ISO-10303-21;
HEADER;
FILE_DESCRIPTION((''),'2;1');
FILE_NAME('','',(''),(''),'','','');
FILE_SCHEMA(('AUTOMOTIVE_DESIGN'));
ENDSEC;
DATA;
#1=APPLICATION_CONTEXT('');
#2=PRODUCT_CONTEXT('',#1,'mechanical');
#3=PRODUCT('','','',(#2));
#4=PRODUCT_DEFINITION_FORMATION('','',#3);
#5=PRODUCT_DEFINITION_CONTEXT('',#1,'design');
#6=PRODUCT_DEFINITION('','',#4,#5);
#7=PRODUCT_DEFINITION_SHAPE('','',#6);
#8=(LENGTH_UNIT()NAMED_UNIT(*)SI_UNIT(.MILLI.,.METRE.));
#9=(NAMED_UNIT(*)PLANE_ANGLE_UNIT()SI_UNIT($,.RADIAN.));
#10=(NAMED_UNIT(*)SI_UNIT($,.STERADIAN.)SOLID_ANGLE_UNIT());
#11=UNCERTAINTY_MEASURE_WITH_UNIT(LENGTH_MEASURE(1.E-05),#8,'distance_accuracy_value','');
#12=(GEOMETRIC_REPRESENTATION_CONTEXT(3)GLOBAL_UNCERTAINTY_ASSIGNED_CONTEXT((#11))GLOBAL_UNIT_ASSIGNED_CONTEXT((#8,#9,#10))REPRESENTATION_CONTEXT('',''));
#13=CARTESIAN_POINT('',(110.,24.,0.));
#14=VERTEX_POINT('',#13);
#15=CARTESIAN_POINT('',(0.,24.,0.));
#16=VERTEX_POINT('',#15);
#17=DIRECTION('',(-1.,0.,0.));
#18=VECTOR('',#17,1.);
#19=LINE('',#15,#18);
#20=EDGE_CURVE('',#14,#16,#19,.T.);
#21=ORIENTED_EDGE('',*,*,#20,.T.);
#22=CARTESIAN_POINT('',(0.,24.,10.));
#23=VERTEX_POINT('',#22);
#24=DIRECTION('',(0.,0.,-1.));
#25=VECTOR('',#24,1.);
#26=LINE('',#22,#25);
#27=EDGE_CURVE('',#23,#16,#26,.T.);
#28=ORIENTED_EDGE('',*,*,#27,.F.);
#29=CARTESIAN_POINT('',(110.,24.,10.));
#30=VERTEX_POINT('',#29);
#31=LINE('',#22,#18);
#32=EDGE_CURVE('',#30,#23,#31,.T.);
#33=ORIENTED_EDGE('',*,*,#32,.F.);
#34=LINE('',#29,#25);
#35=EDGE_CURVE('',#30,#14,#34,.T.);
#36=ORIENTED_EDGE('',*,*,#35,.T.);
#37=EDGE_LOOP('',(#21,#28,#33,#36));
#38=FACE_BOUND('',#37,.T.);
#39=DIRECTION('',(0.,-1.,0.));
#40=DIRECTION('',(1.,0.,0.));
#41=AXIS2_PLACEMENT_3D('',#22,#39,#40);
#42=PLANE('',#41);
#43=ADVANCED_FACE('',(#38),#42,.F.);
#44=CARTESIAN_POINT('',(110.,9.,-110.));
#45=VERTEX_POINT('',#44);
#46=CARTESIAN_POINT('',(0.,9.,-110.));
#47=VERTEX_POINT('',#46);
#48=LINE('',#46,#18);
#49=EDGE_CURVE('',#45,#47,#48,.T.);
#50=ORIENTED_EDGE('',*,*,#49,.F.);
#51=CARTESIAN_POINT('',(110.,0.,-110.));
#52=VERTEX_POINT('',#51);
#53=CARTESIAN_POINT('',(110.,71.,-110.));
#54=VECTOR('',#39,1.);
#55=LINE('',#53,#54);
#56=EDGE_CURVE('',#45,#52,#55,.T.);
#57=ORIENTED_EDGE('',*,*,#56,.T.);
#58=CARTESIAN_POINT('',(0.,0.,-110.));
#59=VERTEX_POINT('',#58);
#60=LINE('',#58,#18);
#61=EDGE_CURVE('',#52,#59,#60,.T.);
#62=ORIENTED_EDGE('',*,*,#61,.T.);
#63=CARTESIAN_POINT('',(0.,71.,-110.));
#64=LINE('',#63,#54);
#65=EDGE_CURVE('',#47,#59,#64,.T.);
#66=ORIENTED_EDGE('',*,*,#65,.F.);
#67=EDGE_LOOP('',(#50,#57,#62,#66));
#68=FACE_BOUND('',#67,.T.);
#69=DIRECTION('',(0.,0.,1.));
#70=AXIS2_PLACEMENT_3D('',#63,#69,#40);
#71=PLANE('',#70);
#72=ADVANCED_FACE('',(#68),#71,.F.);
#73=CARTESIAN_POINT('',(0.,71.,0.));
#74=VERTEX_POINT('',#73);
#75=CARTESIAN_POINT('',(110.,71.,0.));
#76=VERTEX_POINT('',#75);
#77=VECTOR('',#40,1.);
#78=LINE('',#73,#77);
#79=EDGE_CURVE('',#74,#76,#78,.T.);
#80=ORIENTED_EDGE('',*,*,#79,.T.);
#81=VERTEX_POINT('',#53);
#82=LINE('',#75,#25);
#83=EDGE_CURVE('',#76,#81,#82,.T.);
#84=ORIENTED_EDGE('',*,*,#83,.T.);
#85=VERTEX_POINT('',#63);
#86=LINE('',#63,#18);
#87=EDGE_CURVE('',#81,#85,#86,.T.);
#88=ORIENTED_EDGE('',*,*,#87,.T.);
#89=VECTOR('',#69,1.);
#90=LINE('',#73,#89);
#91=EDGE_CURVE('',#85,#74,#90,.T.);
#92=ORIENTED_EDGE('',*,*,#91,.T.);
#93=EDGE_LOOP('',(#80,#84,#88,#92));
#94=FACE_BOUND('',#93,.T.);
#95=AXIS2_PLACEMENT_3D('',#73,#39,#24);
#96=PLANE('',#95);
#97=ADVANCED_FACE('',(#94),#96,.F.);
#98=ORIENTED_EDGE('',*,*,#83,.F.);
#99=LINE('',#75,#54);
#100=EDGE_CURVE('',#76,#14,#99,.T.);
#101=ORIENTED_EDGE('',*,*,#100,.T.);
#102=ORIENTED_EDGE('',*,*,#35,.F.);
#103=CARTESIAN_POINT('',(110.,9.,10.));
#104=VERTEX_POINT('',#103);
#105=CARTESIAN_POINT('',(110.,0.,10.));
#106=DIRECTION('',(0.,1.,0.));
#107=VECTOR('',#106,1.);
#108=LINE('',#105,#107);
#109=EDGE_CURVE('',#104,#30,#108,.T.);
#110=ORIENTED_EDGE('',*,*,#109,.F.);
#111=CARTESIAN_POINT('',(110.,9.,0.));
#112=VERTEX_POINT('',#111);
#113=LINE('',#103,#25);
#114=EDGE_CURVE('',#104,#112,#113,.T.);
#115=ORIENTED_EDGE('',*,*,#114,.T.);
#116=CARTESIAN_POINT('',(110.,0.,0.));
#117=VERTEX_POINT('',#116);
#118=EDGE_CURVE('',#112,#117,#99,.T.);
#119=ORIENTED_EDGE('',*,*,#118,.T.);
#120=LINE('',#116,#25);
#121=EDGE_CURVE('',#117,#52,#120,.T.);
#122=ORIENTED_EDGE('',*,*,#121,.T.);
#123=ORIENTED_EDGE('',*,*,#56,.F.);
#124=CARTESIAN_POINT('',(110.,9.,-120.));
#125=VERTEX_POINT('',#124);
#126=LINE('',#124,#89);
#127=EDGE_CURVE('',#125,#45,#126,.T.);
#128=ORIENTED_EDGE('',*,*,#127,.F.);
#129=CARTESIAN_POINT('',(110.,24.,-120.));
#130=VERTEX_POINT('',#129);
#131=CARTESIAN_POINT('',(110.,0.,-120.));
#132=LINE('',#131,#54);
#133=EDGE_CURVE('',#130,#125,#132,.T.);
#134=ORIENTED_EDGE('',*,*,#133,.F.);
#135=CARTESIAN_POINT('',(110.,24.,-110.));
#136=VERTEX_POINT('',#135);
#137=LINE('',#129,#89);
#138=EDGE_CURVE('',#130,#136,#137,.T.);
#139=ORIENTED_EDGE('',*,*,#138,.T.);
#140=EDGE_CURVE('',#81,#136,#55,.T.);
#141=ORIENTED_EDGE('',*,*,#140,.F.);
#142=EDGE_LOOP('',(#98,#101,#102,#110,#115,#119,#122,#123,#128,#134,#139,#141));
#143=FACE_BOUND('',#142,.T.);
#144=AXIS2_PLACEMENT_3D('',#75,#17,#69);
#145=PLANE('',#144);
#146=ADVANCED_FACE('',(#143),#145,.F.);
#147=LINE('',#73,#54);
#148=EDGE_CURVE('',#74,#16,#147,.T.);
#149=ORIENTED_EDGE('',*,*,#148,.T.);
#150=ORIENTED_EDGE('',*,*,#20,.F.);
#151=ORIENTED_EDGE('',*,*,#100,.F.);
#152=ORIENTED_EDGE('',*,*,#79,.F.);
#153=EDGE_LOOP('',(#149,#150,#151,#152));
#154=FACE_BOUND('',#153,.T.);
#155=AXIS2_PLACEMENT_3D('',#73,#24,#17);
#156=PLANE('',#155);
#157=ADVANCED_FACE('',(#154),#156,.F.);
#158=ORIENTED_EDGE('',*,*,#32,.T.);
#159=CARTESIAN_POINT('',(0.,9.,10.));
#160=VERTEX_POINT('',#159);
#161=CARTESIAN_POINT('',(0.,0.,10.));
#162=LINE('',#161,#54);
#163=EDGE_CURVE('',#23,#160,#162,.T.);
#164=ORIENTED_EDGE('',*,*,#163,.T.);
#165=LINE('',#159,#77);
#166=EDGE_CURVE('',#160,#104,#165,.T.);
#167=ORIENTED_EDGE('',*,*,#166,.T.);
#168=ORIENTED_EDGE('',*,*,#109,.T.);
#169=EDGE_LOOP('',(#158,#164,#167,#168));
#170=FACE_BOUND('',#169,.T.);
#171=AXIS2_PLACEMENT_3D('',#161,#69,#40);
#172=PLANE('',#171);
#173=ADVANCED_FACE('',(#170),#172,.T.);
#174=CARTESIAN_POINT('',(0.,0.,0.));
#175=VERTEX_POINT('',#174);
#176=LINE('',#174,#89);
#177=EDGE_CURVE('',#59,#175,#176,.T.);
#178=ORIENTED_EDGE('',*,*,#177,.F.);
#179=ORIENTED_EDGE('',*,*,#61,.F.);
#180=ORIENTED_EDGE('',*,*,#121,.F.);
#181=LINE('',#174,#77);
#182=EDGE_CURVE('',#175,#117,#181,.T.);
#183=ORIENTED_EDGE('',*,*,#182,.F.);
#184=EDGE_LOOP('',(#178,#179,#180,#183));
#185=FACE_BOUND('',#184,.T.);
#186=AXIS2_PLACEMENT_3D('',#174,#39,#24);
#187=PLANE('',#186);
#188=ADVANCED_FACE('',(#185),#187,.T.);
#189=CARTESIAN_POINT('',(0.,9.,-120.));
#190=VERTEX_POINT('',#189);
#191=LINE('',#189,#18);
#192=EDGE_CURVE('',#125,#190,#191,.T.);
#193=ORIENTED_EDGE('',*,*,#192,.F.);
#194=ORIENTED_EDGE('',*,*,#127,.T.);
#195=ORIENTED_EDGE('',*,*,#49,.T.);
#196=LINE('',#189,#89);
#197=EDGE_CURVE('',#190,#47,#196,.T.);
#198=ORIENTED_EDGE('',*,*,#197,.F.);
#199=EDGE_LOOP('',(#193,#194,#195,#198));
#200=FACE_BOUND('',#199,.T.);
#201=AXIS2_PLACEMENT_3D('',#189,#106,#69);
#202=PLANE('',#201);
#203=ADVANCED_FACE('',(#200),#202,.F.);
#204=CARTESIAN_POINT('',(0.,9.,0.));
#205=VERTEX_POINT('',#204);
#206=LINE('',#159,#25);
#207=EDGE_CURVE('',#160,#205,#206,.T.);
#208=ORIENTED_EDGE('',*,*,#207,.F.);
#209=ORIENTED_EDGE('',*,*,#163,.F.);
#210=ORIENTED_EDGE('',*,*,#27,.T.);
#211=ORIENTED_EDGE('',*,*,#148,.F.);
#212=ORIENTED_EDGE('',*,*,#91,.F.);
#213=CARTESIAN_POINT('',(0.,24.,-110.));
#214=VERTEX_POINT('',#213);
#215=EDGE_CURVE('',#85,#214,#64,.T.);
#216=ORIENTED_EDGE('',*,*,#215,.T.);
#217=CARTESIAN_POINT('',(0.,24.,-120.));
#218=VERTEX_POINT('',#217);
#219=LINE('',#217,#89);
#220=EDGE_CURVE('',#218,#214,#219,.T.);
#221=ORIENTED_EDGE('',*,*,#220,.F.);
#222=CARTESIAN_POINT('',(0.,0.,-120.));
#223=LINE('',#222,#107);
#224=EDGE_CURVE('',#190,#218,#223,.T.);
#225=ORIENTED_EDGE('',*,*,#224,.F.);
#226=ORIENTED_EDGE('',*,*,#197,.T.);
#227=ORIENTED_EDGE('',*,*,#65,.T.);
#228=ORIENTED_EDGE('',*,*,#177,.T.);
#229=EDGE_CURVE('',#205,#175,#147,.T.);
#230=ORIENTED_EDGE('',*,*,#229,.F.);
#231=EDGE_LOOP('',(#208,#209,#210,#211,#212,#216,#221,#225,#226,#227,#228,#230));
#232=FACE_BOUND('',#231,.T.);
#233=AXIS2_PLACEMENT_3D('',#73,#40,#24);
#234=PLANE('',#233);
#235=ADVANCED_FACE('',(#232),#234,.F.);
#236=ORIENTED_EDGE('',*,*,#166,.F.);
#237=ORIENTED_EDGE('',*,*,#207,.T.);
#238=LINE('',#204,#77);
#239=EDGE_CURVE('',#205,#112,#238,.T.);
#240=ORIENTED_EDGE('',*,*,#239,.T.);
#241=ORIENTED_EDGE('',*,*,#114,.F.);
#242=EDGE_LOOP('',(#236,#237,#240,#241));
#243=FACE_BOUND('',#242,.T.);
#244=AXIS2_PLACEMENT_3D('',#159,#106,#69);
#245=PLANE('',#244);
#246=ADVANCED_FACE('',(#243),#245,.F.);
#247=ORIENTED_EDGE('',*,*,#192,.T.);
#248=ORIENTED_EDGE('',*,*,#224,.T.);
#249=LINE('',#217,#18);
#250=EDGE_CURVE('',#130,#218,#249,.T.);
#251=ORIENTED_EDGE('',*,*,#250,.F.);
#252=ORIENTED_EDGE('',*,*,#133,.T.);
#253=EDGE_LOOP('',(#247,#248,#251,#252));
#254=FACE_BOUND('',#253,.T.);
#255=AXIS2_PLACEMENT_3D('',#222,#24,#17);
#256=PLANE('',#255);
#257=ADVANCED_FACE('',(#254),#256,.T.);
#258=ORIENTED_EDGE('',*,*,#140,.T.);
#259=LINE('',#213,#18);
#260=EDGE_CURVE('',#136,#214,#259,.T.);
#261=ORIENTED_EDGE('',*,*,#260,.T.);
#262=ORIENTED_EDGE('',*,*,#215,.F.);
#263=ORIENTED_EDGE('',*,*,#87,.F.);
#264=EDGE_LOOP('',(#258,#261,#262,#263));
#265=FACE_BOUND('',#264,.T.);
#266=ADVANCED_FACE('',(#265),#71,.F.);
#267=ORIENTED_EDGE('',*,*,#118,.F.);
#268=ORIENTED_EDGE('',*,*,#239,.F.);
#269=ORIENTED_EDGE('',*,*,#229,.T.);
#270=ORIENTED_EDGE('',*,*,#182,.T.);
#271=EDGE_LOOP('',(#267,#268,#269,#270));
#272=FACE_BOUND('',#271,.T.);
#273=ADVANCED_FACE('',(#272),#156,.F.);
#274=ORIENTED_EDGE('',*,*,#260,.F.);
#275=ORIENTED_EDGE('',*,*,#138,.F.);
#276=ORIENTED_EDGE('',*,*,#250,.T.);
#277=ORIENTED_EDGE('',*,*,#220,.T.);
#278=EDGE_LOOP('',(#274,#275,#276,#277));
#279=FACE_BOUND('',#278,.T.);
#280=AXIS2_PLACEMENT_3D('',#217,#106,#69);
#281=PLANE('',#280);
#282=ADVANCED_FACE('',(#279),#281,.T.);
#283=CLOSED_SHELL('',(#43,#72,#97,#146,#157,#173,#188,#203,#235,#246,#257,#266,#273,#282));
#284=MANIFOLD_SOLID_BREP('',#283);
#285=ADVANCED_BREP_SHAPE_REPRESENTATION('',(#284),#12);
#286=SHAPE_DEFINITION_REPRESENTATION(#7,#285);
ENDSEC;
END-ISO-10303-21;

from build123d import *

# Parameters (mm, degrees)
SKETCH_1_W      = 110
SKETCH_1_H      = 110
EXTRUDE_1_DEPTH = 71
SKETCH_2_W      = 110
SKETCH_2_H      = 15
EXTRUDE_3_DEPTH = 10
SKETCH_3_W      = 110
SKETCH_3_H      = 15
EXTRUDE_4_DEPTH = 10


with BuildPart() as part:
    # 草图1 → 凸台-拉伸1 (new body)
    with BuildSketch(Plane(origin=(0, 0, 0), x_dir=(1, 0, 0), z_dir=(0, 1, 0))):
        with Locations((55, 55)):
            Rectangle(SKETCH_1_W, SKETCH_1_H)
    extrude(amount=EXTRUDE_1_DEPTH)

    # 草图2 → 凸台-拉伸3 (add)
    with BuildSketch(Plane.XY):
        with Locations((55, 16.5)):
            Rectangle(SKETCH_2_W, SKETCH_2_H)
    extrude(amount=EXTRUDE_3_DEPTH)

    # 草图3 → 凸台-拉伸4 (add)
    with BuildSketch(Plane(origin=(0, 0, -110), x_dir=(-1, 0, 0), z_dir=(0, 0, -1))):
        with Locations((-55, 16.5)):
            Rectangle(SKETCH_3_W, SKETCH_3_H)
    extrude(amount=EXTRUDE_4_DEPTH)


solid = part.part
